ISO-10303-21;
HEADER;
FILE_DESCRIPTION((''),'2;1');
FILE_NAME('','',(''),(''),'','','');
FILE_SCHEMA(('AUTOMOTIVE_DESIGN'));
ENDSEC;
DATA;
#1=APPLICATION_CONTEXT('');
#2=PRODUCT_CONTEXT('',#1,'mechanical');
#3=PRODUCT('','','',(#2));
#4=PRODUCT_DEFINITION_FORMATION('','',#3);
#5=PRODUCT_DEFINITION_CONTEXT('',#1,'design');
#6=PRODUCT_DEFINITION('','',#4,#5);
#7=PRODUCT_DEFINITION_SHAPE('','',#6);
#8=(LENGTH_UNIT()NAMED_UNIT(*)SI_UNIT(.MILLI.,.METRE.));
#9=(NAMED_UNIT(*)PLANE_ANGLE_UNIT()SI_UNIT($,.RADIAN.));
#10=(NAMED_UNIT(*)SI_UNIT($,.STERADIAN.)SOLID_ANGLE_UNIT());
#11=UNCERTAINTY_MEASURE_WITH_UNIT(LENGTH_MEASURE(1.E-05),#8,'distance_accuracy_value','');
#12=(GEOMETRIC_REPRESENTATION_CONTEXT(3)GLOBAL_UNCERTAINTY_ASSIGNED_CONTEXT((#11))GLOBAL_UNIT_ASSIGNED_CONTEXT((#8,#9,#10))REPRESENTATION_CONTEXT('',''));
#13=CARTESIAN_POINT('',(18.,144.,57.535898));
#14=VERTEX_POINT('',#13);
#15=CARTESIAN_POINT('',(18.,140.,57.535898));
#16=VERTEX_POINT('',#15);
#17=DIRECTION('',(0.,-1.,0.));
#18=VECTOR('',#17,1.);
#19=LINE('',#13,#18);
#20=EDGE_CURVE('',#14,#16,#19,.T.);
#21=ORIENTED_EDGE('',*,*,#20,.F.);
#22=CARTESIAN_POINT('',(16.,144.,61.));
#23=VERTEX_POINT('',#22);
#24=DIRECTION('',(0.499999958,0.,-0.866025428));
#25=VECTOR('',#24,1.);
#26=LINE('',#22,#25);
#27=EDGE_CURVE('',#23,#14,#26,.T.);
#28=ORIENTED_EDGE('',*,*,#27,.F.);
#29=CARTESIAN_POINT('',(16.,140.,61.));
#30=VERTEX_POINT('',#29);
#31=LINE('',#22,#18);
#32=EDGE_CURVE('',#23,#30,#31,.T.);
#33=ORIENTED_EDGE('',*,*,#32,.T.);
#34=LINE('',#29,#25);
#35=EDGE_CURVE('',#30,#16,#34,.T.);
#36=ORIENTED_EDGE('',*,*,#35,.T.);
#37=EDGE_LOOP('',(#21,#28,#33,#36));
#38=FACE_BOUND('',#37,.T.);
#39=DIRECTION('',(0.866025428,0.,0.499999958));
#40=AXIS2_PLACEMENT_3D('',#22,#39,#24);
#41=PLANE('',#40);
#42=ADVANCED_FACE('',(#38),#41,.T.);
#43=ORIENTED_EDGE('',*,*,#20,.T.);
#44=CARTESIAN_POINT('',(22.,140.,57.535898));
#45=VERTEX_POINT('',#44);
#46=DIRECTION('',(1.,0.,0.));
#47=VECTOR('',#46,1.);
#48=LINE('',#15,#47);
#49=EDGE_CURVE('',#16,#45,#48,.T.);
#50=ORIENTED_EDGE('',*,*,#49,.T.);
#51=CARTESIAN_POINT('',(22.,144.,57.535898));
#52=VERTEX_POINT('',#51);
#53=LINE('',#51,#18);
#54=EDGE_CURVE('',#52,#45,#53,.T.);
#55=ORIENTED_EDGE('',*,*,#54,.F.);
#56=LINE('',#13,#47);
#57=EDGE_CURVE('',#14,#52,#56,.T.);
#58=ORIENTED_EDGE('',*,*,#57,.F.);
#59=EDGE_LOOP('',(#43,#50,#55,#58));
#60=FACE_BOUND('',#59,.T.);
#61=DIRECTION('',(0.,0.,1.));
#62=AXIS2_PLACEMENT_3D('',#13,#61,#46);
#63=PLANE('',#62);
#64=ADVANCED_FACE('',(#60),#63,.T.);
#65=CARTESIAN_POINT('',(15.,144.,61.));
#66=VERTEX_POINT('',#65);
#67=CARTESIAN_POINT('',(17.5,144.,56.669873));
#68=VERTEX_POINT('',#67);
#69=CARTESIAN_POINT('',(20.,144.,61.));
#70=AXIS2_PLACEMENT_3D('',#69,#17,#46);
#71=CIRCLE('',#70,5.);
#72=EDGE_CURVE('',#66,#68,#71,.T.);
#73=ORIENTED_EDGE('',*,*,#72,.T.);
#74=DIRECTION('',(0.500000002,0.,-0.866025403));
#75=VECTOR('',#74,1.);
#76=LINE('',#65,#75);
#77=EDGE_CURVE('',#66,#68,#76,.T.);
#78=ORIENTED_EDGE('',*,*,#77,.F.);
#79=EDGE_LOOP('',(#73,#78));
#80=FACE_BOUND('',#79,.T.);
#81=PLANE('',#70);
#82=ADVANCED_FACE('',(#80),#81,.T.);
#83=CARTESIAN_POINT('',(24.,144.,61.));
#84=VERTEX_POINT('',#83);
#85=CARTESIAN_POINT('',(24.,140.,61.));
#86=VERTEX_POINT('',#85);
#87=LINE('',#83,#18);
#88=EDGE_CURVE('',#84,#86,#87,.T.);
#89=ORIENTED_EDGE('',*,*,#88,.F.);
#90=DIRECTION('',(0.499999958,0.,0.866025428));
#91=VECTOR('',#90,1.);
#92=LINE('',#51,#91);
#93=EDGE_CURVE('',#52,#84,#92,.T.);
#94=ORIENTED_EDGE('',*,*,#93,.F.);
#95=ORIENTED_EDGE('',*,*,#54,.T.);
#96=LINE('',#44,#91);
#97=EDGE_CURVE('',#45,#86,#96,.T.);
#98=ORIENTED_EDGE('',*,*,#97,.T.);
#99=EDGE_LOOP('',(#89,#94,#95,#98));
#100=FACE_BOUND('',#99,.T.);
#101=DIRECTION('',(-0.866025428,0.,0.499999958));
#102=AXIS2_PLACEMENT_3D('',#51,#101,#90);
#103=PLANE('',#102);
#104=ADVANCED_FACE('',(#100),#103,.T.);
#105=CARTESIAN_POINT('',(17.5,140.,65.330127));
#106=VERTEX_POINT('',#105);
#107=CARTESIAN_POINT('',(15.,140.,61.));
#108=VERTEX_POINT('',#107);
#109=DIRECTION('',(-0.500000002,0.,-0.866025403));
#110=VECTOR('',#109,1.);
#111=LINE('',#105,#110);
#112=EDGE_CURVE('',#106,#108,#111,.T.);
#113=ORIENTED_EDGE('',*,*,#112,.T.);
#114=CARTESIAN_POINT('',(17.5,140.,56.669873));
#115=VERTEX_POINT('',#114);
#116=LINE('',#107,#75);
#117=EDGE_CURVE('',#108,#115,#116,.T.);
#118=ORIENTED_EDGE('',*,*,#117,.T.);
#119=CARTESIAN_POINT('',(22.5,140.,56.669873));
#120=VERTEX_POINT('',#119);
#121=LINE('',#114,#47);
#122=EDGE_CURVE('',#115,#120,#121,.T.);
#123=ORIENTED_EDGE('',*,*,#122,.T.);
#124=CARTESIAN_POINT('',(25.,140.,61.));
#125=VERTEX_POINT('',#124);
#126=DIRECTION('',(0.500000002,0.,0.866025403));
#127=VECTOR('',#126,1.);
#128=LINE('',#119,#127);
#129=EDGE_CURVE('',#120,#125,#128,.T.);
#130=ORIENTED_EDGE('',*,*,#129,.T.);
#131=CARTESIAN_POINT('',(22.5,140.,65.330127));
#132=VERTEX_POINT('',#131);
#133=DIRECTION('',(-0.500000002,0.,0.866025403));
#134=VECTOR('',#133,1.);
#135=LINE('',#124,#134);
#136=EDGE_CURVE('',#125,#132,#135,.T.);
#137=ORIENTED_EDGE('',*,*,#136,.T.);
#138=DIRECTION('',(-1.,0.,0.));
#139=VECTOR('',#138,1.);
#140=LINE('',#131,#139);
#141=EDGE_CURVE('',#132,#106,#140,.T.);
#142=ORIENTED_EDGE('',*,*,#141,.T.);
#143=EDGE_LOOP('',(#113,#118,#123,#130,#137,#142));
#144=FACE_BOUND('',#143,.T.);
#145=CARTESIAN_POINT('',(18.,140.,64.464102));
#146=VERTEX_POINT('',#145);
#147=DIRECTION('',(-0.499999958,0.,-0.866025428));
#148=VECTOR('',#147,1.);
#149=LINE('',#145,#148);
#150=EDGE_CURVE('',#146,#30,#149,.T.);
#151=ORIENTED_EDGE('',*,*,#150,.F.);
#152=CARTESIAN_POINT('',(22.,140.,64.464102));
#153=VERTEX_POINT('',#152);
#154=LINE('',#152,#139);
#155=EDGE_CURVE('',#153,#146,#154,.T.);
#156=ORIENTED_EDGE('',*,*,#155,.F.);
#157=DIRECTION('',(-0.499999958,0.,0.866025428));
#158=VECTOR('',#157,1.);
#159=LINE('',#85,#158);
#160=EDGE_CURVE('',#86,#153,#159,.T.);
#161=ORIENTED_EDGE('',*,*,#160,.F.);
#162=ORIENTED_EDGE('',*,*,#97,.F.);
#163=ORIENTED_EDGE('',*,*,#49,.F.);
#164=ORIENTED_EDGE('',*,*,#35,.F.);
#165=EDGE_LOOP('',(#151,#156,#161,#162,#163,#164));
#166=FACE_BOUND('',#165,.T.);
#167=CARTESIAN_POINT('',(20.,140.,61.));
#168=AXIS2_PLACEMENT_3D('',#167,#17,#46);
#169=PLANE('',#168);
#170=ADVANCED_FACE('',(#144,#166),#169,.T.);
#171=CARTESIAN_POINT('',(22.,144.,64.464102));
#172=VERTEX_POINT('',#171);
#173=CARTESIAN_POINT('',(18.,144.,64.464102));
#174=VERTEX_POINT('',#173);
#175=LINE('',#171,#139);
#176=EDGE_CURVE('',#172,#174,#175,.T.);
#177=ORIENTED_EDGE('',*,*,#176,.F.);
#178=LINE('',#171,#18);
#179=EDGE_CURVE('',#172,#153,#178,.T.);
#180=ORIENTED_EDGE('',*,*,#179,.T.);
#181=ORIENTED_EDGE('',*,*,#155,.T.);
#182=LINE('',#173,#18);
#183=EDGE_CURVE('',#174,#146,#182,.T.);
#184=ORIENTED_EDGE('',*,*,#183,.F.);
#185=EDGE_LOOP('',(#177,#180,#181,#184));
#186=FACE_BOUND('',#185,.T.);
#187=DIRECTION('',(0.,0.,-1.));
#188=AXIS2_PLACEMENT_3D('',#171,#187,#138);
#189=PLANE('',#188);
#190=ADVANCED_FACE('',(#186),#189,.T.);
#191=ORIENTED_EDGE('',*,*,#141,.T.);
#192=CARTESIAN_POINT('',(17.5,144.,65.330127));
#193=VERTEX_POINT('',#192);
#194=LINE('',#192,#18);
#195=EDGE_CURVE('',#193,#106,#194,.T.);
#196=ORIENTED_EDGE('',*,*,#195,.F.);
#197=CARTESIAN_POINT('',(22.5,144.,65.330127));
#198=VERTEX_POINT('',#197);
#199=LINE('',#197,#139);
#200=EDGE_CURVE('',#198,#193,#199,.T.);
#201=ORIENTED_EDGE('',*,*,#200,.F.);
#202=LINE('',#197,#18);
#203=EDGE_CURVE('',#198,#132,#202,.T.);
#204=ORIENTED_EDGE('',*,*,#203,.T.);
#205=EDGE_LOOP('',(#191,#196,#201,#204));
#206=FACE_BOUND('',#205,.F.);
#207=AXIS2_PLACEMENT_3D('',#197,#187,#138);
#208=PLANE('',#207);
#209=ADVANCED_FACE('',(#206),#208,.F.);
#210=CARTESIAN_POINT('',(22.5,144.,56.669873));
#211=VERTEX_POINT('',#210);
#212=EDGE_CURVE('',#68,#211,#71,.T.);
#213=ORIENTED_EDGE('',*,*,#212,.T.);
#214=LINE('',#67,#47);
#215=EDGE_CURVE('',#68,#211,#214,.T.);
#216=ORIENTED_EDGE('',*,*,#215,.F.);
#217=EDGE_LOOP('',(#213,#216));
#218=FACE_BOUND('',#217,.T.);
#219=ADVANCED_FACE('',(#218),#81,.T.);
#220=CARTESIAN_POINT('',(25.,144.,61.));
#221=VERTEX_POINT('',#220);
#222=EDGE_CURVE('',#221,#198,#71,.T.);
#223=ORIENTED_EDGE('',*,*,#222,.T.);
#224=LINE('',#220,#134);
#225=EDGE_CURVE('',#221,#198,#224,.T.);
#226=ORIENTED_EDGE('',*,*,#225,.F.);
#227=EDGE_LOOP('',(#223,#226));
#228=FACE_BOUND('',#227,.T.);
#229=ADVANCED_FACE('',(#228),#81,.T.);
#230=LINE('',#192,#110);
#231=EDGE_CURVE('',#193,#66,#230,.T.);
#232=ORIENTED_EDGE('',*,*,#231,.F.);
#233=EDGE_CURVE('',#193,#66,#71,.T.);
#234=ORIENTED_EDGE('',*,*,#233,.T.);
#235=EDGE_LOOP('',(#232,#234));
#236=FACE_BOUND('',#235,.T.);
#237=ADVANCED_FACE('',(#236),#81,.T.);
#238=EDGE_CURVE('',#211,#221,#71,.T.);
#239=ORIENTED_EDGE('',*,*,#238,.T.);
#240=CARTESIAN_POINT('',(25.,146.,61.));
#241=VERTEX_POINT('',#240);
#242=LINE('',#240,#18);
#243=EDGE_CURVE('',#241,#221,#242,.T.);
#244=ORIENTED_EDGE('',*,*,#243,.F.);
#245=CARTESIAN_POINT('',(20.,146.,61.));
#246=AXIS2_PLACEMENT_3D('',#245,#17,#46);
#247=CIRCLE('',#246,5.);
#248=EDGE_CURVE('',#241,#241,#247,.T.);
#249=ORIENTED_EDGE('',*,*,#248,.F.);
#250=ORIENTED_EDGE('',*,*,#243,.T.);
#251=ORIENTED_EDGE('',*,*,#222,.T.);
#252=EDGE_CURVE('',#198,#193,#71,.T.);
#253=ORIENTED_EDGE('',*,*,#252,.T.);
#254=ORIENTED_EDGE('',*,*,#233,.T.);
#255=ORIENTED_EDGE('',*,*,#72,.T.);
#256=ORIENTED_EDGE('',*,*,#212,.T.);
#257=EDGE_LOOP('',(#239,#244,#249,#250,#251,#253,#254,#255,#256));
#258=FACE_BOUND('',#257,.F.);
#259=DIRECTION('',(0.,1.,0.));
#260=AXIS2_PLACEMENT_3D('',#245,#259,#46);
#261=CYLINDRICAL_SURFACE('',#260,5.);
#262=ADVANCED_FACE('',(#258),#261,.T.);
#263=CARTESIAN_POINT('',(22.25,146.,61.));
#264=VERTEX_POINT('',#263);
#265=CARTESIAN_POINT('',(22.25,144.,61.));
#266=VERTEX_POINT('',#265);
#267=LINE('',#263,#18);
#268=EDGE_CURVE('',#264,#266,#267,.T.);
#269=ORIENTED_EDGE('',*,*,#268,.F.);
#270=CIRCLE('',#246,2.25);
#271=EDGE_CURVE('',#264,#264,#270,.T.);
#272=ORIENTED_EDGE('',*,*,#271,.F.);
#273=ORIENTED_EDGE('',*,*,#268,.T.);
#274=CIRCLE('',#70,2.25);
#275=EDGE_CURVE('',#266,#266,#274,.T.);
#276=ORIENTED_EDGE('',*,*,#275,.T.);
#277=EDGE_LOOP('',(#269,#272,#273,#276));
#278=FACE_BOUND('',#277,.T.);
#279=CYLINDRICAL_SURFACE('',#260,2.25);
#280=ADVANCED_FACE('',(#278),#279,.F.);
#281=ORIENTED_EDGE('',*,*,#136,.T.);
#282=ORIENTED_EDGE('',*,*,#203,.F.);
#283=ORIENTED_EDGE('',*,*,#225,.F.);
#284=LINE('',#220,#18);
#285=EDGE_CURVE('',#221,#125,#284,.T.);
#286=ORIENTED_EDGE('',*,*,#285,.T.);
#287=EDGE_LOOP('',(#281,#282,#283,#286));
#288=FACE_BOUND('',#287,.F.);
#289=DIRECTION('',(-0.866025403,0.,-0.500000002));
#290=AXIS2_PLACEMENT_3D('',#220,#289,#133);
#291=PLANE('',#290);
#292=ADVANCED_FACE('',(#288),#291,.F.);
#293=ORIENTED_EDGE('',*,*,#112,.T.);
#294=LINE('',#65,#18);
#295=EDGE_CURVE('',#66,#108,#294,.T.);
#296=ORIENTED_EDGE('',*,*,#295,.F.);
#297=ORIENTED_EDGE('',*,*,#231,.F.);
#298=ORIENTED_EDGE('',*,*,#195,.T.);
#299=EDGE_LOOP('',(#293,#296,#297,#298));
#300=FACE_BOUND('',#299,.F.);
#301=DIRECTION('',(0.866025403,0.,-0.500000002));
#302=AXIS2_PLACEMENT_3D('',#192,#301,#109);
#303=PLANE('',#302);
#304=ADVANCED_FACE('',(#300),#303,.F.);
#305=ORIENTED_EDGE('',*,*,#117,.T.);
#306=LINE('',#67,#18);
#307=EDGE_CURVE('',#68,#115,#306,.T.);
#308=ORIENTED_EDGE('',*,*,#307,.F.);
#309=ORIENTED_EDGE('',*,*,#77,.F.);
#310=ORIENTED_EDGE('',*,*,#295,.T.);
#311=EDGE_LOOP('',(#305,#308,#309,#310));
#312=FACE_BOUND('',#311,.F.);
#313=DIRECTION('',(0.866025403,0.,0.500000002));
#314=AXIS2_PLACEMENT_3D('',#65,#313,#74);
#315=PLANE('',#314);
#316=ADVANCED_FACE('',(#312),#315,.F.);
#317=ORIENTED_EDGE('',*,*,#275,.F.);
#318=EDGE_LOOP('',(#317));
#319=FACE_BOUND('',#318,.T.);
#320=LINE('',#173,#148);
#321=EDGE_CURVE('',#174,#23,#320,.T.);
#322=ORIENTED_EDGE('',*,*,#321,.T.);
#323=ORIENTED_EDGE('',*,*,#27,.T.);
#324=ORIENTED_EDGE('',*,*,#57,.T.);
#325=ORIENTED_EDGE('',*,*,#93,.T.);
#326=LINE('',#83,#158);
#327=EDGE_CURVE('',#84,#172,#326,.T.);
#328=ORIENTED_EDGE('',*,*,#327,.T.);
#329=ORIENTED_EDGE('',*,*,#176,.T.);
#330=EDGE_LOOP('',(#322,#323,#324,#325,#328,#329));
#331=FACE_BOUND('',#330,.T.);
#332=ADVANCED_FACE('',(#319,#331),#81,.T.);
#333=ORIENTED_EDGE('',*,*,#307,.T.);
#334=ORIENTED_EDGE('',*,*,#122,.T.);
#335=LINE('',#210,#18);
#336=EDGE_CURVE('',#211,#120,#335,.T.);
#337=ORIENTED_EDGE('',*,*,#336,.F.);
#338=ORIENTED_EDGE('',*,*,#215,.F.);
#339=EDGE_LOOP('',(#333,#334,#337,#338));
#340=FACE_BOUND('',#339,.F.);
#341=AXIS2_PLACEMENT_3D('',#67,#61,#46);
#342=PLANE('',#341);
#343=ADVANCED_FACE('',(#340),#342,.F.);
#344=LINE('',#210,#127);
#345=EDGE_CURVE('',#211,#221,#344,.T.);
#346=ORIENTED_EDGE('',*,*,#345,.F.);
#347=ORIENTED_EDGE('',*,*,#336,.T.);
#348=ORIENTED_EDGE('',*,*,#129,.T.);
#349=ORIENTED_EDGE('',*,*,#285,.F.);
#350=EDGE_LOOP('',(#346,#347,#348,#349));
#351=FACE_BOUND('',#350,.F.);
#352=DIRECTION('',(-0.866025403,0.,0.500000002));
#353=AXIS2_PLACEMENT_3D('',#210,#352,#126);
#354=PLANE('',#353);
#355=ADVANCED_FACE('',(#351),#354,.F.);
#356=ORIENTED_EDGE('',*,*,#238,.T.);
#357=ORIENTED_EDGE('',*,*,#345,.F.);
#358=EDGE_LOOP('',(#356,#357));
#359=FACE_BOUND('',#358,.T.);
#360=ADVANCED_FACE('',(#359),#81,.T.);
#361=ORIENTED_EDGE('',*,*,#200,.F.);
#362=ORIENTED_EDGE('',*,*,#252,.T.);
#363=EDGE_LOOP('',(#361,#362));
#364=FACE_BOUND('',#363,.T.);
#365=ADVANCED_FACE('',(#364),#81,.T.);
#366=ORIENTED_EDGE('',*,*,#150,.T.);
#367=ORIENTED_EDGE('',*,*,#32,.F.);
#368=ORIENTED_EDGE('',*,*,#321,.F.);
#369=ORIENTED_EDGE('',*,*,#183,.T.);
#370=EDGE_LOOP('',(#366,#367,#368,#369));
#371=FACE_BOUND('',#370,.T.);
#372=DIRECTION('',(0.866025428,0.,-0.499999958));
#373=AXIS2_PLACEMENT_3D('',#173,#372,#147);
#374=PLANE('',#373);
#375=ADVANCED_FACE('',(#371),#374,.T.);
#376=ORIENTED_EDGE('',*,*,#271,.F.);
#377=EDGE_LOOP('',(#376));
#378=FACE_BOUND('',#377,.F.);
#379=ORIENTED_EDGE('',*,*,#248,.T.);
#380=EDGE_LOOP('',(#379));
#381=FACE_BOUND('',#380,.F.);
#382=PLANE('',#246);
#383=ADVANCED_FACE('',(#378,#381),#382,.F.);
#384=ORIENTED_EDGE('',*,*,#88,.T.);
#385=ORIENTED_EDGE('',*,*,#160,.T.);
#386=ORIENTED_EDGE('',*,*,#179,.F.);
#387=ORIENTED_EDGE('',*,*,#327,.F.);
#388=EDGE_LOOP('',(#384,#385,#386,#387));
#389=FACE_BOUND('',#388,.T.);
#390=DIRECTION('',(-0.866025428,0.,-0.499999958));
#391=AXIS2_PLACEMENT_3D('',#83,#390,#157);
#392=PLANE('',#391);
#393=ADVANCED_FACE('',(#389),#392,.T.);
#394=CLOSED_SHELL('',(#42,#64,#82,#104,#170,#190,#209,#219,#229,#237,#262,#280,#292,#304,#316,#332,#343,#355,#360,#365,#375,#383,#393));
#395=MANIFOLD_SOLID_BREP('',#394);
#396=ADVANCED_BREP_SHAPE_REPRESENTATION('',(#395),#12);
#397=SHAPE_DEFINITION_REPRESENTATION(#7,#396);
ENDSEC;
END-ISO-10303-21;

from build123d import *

# Parameters (mm, degrees)
SKETCH002_R   = 5
SKETCH002_R_2 = 2.25
PAD002_DEPTH  = 2
PAD003_DEPTH  = 4


with BuildPart() as part:
    # Sketch002 → Pad002 (new body)
    with BuildSketch(Plane.XZ):
        Circle(SKETCH002_R)
        Circle(SKETCH002_R_2, mode=Mode.SUBTRACT)
    extrude(amount=PAD002_DEPTH)

    # Sketch003 (on Face4 of Pad002) → Pad003 (join)
    with BuildSketch(Plane.XZ.offset(2)):
        Polygon((2.5, -4.330127), (5, 0), (2.5, 4.330127), (-2.5, 4.330127), (-5, 0), (-2.5, -4.330127), align=None)
        Polygon((-2, -3.464102), (2, -3.464102), (4, 0), (2, 3.464102), (-2, 3.464102), (-4, 0), align=None, mode=Mode.SUBTRACT)
    extrude(amount=PAD003_DEPTH)


with BuildPart() as part_1:
    # Body001 placement: moved
    add(part.part.moved(Location((20, 146, 61))))


solid = part_1.part
